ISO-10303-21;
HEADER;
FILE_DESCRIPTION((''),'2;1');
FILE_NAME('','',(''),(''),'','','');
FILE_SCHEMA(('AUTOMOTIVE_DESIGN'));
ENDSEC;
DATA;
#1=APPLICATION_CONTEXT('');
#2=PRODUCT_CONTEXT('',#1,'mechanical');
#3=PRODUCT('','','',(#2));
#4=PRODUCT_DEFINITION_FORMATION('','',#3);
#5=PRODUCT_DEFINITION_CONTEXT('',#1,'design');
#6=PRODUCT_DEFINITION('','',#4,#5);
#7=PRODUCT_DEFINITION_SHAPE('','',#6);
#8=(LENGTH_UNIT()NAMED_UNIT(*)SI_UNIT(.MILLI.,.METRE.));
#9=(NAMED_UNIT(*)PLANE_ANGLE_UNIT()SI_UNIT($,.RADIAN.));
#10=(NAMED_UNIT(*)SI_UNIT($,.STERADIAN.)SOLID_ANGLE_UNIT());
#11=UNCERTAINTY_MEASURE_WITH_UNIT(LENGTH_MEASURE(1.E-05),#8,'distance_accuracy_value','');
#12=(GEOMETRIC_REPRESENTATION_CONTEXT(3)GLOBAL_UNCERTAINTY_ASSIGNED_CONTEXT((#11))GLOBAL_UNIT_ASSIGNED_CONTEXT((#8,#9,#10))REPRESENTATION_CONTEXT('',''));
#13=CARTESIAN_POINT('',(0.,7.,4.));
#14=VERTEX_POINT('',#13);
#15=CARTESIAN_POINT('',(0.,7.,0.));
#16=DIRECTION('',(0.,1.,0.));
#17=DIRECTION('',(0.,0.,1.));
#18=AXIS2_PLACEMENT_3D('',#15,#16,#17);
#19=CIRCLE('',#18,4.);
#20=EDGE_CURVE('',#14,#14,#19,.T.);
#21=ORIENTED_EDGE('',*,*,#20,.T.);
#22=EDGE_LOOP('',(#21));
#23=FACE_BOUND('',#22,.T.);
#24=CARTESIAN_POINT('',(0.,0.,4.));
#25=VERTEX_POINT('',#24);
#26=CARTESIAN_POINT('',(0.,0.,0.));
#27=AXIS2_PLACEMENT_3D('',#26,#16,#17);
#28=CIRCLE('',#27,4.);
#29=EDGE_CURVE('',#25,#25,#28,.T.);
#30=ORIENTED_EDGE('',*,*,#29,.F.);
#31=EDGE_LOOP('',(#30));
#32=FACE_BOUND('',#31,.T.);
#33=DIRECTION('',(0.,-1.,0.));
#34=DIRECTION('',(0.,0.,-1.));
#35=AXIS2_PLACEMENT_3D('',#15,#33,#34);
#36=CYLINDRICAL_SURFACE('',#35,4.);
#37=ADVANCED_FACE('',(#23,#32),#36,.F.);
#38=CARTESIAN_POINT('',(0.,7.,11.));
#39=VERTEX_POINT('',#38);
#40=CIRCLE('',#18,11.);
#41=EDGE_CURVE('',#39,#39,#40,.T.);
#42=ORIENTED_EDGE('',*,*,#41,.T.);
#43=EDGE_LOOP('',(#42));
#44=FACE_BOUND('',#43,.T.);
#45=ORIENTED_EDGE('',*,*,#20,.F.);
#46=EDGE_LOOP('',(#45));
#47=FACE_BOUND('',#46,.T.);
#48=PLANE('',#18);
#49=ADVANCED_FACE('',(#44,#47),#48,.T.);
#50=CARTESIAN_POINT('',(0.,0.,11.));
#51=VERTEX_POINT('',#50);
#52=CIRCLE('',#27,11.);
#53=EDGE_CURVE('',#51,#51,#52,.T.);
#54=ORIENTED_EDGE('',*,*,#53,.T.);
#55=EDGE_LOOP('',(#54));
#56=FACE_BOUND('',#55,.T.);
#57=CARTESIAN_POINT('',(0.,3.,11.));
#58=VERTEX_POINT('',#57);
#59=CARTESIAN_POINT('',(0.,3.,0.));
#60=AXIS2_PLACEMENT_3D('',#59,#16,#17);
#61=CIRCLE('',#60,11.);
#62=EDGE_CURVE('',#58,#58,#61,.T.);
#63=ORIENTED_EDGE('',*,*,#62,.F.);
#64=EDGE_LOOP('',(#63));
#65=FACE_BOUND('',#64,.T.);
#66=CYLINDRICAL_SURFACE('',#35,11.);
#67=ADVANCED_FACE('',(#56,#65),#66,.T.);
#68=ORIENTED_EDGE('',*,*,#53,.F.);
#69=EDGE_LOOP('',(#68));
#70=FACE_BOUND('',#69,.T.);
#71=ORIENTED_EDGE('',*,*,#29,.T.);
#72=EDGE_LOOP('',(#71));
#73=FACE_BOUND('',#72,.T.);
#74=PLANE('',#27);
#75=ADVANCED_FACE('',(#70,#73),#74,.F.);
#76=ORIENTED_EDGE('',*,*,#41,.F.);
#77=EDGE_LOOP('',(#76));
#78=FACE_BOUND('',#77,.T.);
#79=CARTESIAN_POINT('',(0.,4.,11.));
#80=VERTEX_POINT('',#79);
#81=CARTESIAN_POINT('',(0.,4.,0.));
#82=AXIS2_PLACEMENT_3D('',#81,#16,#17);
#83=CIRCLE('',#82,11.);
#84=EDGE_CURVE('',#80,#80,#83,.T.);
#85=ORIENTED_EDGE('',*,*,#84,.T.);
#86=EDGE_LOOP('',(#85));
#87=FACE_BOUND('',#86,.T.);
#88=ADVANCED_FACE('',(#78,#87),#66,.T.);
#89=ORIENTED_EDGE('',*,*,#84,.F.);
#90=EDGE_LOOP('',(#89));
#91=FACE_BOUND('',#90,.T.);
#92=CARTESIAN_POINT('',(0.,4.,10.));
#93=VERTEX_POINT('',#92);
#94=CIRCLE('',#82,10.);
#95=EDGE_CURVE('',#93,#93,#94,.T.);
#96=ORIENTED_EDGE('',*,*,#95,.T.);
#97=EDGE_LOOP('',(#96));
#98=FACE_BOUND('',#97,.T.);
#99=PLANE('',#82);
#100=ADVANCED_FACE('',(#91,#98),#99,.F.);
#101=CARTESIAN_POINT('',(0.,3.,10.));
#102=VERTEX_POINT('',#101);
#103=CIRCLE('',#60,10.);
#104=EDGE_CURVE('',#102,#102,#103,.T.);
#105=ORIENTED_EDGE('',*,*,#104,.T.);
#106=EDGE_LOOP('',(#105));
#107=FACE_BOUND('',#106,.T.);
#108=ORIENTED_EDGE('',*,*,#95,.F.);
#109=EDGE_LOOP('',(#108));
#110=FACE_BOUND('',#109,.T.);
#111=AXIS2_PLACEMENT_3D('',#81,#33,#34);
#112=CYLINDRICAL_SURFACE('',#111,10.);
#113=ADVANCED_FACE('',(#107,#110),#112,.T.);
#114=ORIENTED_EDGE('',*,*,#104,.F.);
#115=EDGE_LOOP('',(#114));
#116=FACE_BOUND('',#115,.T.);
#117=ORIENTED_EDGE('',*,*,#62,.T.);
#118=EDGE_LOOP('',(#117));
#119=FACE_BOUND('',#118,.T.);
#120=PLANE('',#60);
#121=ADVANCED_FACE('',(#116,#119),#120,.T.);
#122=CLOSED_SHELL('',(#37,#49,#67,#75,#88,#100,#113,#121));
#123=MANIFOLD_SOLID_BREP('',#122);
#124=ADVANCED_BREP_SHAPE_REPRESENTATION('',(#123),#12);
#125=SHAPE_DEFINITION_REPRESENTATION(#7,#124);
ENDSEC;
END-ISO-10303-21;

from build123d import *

# Parameters (mm, degrees)
SKETCH_1_R               = 11
SKETCH_1_R_2             = 4
EXTRUDE_1_DEPTH          = 7
SKETCH_2_R               = 12
SKETCH_2_R_2             = 10
CUT_EXTRUDE_1_DEPTH      = 0.5
CUT_EXTRUDE_1_DEPTH_BACK = 0.5


with BuildPart() as part:
    # 草图1 → 凸台-拉伸1 (new body)
    with BuildSketch(Plane(origin=(0, 0, 0), x_dir=(1, 0, 0), z_dir=(0, 1, 0))):
        Circle(SKETCH_1_R)
        Circle(SKETCH_1_R_2, mode=Mode.SUBTRACT)
    extrude(amount=EXTRUDE_1_DEPTH)

    # 草图2 → 切除-拉伸1 (cut, two sides)
    with BuildSketch(Plane(origin=(0, 3.5, 0), x_dir=(1, 0, 0), z_dir=(0, 1, 0))) as cut_extrude_1_sk:
        Circle(SKETCH_2_R)
        Circle(SKETCH_2_R_2, mode=Mode.SUBTRACT)
    extrude(amount=CUT_EXTRUDE_1_DEPTH, mode=Mode.SUBTRACT)
    extrude(cut_extrude_1_sk.sketch, amount=-CUT_EXTRUDE_1_DEPTH_BACK, mode=Mode.SUBTRACT)


solid = part.part
